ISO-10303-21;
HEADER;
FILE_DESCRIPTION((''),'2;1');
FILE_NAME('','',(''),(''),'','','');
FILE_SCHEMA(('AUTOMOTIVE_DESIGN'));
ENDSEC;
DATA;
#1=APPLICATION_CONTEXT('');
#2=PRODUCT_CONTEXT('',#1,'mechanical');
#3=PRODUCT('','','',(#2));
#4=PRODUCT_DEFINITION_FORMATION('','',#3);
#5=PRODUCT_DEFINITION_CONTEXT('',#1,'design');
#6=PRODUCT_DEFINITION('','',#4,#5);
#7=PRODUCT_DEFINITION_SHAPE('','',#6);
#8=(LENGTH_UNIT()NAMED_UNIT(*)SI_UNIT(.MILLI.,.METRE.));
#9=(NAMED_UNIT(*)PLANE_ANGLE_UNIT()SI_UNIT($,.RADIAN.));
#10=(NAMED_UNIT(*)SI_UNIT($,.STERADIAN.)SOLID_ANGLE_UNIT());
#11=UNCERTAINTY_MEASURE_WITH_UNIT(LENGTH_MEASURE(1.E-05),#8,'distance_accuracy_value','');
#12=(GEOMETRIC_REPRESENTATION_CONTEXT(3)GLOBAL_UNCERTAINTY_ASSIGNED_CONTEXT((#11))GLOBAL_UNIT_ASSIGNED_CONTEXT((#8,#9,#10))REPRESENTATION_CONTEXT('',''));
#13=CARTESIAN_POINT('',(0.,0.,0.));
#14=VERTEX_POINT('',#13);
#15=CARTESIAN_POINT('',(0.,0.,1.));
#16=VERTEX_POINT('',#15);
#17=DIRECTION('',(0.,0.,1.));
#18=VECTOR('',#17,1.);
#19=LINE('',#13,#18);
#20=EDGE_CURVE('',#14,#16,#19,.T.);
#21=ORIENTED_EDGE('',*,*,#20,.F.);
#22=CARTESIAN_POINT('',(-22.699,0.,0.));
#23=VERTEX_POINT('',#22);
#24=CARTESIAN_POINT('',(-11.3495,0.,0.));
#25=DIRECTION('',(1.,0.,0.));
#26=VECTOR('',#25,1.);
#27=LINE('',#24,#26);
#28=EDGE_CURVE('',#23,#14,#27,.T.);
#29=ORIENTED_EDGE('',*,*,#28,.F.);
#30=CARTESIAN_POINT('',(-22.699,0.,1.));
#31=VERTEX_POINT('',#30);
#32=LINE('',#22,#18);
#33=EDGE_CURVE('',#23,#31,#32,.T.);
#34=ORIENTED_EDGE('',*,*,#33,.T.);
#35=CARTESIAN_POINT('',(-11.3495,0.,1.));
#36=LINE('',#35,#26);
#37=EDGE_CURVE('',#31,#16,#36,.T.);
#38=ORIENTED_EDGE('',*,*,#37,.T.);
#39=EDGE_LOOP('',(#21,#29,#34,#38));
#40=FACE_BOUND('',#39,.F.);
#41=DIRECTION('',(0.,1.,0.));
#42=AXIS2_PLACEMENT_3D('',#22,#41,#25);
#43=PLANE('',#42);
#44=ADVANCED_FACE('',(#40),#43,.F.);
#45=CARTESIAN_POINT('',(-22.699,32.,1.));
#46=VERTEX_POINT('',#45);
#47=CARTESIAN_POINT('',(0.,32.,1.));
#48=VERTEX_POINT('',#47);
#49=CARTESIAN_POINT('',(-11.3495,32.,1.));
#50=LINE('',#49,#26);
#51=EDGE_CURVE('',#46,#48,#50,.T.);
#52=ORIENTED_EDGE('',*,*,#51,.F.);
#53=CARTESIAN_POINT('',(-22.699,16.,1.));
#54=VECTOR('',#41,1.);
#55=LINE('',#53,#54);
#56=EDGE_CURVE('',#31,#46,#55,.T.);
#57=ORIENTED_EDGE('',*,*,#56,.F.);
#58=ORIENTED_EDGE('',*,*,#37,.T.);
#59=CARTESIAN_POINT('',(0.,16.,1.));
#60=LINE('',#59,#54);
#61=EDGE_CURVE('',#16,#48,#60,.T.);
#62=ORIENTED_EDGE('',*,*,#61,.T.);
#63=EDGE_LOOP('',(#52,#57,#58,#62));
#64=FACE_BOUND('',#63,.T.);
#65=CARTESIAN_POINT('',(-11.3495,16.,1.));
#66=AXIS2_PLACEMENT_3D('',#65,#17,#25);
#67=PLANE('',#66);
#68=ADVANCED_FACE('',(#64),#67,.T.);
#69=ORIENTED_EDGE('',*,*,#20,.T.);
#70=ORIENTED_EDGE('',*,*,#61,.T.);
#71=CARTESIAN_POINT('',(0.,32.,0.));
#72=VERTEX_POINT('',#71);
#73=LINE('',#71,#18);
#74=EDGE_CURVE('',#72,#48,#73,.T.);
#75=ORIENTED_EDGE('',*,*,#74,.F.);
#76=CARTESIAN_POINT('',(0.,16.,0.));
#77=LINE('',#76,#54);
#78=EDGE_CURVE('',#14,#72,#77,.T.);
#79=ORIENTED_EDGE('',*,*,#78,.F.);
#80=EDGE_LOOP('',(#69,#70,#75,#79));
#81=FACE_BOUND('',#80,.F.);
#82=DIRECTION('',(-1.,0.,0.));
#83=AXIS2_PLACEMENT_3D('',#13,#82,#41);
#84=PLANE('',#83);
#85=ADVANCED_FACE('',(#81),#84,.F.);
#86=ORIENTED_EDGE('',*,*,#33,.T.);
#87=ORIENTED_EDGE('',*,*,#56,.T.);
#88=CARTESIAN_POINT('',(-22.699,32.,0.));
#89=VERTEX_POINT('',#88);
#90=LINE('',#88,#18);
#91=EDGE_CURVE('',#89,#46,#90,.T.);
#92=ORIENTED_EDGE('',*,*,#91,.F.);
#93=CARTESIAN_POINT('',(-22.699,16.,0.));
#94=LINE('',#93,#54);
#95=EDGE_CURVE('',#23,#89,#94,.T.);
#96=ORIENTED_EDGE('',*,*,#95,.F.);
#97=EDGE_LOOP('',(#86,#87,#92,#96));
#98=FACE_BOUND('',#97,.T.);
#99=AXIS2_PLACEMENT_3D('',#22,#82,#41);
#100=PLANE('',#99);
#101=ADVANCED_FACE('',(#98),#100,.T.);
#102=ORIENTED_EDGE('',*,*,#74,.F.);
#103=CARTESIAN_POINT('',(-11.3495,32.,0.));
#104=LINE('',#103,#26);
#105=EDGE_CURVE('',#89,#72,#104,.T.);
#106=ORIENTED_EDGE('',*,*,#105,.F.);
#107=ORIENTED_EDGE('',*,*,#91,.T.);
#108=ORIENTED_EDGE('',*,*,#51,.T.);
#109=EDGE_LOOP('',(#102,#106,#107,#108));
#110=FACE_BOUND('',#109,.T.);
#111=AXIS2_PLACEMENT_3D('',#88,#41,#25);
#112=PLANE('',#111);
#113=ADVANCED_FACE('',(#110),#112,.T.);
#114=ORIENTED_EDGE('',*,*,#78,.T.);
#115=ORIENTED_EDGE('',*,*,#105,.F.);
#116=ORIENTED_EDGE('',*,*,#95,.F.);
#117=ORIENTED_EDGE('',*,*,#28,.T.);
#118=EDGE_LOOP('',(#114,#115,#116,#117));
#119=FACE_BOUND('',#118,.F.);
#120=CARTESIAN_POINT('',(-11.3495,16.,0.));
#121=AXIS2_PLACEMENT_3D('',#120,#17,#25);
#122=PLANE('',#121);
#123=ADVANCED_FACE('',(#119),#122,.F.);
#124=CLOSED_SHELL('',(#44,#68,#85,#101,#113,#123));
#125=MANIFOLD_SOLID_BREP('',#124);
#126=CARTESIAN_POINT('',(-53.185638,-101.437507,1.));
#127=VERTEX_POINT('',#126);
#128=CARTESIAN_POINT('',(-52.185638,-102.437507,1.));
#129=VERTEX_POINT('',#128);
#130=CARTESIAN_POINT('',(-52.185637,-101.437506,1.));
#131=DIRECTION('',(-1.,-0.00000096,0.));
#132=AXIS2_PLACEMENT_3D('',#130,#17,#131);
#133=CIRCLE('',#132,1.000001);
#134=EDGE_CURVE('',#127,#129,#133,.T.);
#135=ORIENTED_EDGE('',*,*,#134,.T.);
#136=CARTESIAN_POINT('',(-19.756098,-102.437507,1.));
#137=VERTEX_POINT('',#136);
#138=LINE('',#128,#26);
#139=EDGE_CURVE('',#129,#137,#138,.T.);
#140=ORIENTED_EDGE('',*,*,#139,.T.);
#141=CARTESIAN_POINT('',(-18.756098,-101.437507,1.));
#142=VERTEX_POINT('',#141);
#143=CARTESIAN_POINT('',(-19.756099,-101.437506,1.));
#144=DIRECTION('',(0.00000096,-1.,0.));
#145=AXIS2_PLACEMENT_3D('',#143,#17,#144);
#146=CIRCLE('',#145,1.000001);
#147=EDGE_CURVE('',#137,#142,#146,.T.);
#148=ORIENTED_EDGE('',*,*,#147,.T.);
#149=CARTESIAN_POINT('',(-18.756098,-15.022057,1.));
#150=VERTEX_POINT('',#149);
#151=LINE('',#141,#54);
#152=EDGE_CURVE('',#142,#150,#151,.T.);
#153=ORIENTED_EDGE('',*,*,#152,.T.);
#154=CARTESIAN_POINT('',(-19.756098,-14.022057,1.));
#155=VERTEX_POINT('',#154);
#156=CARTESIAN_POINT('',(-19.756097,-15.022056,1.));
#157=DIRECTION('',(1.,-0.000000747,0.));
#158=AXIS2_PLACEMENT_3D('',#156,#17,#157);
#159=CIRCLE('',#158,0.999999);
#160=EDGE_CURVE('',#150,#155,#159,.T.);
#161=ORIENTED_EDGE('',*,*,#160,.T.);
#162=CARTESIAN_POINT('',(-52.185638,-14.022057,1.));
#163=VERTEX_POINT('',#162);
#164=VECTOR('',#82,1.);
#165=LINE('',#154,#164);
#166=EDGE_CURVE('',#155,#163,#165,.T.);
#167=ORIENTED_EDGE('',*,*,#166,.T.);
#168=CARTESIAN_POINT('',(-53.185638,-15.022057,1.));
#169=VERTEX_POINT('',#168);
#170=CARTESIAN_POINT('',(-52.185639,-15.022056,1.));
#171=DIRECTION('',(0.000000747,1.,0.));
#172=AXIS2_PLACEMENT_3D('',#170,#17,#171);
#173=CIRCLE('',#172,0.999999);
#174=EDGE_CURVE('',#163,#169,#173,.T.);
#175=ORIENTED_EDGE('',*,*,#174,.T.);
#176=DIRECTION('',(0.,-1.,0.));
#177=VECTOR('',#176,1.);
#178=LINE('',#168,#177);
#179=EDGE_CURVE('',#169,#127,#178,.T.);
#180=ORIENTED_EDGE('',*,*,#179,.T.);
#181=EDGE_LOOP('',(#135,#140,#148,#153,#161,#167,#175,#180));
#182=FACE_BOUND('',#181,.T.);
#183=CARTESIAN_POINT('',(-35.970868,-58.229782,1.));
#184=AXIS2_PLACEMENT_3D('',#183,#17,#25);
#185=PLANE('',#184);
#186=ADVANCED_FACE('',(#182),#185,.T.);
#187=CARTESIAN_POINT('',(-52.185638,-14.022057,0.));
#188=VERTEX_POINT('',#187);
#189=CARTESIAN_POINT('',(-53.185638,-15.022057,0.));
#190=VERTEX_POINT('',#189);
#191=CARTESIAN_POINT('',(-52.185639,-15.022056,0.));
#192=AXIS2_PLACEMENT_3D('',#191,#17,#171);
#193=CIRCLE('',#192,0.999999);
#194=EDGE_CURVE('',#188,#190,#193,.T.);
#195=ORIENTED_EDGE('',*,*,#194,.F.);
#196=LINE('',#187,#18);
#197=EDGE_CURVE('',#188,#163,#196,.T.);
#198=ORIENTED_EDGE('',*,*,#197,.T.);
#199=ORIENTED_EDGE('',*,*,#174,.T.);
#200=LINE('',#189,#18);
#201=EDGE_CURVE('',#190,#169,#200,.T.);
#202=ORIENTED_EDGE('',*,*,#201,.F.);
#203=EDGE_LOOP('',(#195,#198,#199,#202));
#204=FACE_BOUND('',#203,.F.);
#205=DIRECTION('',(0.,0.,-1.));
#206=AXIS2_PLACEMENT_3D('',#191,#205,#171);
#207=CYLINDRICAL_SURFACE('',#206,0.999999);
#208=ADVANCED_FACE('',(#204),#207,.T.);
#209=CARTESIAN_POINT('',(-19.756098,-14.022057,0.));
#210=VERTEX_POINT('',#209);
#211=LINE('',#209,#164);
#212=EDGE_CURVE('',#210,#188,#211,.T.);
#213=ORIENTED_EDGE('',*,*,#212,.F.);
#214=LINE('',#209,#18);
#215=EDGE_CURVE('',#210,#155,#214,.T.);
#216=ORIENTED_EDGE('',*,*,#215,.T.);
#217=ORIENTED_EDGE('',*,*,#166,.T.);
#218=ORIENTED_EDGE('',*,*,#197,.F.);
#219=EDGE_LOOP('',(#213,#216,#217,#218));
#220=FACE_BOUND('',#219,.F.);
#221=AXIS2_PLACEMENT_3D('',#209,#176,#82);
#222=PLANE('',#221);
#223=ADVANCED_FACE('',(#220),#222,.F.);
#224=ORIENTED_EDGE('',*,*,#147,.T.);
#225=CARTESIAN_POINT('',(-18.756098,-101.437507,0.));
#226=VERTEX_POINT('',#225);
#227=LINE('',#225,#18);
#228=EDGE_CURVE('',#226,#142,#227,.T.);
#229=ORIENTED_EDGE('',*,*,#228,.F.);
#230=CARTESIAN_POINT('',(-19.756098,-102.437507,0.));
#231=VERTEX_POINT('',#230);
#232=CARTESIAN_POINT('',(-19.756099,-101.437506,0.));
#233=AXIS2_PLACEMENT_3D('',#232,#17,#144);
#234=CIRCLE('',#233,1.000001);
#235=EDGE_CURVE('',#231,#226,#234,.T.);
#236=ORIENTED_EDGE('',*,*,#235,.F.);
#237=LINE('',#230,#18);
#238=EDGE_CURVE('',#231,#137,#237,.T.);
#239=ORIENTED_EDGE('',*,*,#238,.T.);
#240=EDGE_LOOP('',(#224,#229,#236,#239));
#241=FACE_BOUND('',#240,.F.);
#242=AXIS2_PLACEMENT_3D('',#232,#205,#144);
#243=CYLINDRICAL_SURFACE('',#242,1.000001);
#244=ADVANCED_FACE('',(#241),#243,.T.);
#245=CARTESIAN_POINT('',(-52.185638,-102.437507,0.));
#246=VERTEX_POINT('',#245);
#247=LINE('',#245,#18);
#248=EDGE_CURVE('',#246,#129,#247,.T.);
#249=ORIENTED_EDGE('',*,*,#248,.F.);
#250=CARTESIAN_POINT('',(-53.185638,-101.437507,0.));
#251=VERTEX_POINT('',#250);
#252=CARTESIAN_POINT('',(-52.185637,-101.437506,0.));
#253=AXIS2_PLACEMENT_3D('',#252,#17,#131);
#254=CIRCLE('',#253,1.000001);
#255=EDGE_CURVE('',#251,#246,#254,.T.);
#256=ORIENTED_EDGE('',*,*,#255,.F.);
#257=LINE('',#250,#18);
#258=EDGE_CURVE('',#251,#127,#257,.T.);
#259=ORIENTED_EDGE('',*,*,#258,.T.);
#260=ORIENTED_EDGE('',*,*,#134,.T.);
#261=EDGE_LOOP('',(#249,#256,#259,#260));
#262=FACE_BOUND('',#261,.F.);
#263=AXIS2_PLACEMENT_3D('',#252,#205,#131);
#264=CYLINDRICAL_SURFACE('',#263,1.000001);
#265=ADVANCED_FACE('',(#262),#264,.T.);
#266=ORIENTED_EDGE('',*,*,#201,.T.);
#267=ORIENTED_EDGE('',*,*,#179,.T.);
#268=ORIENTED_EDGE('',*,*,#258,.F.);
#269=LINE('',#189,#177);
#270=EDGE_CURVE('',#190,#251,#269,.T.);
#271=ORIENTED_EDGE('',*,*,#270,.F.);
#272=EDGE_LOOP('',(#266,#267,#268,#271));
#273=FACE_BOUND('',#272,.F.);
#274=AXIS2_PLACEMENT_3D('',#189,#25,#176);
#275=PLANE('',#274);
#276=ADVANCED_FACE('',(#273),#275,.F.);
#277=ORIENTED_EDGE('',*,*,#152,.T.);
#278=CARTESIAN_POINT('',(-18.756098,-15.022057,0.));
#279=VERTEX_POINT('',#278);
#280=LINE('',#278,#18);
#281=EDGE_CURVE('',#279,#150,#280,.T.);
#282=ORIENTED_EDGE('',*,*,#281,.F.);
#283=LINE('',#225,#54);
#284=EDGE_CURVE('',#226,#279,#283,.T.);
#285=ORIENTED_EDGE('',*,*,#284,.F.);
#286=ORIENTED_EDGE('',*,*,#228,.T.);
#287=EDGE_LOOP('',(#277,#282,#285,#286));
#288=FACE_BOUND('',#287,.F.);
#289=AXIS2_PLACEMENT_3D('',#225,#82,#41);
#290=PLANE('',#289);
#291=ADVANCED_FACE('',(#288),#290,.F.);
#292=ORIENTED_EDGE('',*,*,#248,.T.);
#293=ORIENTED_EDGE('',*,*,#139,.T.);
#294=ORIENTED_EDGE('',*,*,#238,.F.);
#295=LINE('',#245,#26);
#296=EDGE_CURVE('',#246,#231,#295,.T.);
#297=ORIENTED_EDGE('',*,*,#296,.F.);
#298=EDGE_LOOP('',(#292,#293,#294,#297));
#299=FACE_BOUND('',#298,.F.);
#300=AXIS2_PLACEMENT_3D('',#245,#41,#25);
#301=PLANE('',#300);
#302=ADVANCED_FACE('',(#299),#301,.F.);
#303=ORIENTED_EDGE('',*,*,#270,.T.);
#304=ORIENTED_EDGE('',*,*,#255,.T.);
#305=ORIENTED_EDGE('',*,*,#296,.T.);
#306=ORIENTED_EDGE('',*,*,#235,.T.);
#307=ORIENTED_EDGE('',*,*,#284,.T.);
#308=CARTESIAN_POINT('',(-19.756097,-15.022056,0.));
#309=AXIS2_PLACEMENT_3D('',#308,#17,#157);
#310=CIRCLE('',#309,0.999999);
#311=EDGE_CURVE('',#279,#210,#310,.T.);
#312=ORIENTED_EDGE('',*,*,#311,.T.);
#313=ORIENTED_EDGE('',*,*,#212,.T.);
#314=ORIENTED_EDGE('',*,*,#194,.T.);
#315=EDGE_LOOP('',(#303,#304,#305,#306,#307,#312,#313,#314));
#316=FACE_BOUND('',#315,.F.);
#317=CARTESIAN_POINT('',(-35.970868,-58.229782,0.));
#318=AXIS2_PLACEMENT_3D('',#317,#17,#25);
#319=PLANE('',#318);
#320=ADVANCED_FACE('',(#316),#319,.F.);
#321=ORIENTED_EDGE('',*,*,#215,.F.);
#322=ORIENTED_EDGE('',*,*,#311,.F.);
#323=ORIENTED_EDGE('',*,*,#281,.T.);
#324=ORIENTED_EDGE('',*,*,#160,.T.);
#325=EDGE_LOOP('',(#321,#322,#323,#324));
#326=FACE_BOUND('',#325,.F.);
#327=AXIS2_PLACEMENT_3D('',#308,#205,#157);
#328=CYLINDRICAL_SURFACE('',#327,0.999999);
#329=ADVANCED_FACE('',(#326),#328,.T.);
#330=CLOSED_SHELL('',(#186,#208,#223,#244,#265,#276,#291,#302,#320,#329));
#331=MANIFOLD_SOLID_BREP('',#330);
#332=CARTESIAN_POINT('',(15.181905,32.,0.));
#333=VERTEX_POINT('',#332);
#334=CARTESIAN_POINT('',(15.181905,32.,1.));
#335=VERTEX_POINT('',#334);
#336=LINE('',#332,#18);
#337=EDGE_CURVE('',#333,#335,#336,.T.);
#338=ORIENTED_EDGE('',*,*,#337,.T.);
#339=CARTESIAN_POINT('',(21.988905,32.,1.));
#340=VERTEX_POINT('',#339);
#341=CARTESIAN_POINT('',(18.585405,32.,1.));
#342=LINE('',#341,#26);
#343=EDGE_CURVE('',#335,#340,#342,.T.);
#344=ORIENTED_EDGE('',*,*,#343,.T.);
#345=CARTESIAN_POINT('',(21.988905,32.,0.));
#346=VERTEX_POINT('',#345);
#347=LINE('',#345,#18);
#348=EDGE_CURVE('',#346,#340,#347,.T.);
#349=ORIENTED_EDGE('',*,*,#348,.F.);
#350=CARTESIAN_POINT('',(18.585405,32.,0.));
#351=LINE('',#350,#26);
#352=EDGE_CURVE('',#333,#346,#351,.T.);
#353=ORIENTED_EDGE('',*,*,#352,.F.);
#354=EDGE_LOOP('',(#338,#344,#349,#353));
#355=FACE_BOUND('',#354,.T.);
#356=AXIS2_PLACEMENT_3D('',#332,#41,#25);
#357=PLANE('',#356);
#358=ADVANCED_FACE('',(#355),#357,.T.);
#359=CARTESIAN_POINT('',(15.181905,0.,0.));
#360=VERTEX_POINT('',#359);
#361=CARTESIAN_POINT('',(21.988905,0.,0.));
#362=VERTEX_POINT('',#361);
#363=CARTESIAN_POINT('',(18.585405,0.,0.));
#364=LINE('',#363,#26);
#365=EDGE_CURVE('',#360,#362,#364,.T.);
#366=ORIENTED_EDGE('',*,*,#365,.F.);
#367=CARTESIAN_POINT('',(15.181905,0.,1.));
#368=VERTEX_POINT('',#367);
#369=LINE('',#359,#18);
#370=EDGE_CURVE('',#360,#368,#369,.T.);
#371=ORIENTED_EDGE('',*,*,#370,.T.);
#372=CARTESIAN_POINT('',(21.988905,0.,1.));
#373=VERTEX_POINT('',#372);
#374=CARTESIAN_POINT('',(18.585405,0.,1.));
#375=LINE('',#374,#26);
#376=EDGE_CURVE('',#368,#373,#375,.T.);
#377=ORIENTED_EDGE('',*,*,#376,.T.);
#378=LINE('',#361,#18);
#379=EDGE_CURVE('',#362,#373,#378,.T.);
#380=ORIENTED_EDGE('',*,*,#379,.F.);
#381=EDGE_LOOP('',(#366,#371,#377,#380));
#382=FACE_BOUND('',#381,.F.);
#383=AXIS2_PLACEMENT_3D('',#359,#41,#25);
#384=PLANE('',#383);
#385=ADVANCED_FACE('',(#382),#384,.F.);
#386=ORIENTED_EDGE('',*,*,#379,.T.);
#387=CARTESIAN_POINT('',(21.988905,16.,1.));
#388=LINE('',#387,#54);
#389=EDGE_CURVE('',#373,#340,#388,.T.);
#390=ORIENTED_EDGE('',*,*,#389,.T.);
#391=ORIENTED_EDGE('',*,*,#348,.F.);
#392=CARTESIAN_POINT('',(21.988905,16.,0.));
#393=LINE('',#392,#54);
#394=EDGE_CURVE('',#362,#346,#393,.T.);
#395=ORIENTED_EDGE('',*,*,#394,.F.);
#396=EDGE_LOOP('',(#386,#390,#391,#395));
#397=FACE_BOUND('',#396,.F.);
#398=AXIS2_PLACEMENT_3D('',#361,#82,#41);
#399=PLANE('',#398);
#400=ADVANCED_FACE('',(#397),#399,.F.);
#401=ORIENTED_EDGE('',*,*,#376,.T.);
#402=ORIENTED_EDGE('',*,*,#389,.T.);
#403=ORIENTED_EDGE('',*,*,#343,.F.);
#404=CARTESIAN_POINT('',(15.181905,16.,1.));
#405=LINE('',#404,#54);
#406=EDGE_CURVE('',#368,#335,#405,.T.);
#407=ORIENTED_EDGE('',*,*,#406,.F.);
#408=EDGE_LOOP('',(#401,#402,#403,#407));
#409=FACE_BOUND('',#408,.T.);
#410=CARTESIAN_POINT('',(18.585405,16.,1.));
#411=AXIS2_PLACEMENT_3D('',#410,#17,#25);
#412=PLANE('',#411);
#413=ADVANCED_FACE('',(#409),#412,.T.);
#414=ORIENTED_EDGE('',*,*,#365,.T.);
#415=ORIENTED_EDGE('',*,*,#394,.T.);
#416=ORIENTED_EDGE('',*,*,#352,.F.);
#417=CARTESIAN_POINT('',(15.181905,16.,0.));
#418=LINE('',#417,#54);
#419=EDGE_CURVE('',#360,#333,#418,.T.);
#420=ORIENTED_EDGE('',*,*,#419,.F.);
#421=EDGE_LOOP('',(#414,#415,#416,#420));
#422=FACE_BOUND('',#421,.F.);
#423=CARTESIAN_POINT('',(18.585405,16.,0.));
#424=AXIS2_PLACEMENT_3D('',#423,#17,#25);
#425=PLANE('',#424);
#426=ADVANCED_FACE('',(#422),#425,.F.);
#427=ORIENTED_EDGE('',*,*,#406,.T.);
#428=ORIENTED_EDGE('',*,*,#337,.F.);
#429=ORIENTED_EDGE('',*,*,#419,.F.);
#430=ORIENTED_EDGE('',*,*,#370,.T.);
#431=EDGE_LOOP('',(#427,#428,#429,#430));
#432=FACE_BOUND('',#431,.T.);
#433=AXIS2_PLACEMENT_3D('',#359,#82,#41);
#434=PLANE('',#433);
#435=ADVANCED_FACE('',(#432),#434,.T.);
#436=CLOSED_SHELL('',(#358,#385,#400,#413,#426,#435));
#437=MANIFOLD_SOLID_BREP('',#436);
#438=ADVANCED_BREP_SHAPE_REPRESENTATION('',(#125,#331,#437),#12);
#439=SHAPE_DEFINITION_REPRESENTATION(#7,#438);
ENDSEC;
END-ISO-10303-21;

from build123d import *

# Parameters (mm, degrees)
F0_W     = 6.807
F0_H     = 32
F0_W_2   = 22.699
F1_DEPTH = 1


with BuildPart() as f1:
    # F0 (on Top) → F1 (new body)
    with BuildSketch(Plane.XY):
        with Locations((18.585405, 16)):
            Rectangle(F0_W, F0_H)
        with BuildLine():
            Line((-19.756098, -14.022057), (-52.185638, -14.022057))
            ThreePointArc((-52.185638, -14.022057), (-52.892745, -14.31495), (-53.185638, -15.022057))
            Line((-53.185638, -15.022057), (-53.185638, -101.437507))
            ThreePointArc((-53.185638, -101.437507), (-52.892745, -102.144613), (-52.185638, -102.437507))
            Line((-52.185638, -102.437507), (-19.756098, -102.437507))
            ThreePointArc((-19.756098, -102.437507), (-19.048991, -102.144613), (-18.756098, -101.437507))
            Line((-18.756098, -101.437507), (-18.756098, -15.022057))
            ThreePointArc((-18.756098, -15.022057), (-19.048991, -14.31495), (-19.756098, -14.022057))
        make_face()
        with Locations((-11.3495, 16)):
            Rectangle(F0_W_2, F0_H)
    extrude(amount=F1_DEPTH)


solid = f1.part
